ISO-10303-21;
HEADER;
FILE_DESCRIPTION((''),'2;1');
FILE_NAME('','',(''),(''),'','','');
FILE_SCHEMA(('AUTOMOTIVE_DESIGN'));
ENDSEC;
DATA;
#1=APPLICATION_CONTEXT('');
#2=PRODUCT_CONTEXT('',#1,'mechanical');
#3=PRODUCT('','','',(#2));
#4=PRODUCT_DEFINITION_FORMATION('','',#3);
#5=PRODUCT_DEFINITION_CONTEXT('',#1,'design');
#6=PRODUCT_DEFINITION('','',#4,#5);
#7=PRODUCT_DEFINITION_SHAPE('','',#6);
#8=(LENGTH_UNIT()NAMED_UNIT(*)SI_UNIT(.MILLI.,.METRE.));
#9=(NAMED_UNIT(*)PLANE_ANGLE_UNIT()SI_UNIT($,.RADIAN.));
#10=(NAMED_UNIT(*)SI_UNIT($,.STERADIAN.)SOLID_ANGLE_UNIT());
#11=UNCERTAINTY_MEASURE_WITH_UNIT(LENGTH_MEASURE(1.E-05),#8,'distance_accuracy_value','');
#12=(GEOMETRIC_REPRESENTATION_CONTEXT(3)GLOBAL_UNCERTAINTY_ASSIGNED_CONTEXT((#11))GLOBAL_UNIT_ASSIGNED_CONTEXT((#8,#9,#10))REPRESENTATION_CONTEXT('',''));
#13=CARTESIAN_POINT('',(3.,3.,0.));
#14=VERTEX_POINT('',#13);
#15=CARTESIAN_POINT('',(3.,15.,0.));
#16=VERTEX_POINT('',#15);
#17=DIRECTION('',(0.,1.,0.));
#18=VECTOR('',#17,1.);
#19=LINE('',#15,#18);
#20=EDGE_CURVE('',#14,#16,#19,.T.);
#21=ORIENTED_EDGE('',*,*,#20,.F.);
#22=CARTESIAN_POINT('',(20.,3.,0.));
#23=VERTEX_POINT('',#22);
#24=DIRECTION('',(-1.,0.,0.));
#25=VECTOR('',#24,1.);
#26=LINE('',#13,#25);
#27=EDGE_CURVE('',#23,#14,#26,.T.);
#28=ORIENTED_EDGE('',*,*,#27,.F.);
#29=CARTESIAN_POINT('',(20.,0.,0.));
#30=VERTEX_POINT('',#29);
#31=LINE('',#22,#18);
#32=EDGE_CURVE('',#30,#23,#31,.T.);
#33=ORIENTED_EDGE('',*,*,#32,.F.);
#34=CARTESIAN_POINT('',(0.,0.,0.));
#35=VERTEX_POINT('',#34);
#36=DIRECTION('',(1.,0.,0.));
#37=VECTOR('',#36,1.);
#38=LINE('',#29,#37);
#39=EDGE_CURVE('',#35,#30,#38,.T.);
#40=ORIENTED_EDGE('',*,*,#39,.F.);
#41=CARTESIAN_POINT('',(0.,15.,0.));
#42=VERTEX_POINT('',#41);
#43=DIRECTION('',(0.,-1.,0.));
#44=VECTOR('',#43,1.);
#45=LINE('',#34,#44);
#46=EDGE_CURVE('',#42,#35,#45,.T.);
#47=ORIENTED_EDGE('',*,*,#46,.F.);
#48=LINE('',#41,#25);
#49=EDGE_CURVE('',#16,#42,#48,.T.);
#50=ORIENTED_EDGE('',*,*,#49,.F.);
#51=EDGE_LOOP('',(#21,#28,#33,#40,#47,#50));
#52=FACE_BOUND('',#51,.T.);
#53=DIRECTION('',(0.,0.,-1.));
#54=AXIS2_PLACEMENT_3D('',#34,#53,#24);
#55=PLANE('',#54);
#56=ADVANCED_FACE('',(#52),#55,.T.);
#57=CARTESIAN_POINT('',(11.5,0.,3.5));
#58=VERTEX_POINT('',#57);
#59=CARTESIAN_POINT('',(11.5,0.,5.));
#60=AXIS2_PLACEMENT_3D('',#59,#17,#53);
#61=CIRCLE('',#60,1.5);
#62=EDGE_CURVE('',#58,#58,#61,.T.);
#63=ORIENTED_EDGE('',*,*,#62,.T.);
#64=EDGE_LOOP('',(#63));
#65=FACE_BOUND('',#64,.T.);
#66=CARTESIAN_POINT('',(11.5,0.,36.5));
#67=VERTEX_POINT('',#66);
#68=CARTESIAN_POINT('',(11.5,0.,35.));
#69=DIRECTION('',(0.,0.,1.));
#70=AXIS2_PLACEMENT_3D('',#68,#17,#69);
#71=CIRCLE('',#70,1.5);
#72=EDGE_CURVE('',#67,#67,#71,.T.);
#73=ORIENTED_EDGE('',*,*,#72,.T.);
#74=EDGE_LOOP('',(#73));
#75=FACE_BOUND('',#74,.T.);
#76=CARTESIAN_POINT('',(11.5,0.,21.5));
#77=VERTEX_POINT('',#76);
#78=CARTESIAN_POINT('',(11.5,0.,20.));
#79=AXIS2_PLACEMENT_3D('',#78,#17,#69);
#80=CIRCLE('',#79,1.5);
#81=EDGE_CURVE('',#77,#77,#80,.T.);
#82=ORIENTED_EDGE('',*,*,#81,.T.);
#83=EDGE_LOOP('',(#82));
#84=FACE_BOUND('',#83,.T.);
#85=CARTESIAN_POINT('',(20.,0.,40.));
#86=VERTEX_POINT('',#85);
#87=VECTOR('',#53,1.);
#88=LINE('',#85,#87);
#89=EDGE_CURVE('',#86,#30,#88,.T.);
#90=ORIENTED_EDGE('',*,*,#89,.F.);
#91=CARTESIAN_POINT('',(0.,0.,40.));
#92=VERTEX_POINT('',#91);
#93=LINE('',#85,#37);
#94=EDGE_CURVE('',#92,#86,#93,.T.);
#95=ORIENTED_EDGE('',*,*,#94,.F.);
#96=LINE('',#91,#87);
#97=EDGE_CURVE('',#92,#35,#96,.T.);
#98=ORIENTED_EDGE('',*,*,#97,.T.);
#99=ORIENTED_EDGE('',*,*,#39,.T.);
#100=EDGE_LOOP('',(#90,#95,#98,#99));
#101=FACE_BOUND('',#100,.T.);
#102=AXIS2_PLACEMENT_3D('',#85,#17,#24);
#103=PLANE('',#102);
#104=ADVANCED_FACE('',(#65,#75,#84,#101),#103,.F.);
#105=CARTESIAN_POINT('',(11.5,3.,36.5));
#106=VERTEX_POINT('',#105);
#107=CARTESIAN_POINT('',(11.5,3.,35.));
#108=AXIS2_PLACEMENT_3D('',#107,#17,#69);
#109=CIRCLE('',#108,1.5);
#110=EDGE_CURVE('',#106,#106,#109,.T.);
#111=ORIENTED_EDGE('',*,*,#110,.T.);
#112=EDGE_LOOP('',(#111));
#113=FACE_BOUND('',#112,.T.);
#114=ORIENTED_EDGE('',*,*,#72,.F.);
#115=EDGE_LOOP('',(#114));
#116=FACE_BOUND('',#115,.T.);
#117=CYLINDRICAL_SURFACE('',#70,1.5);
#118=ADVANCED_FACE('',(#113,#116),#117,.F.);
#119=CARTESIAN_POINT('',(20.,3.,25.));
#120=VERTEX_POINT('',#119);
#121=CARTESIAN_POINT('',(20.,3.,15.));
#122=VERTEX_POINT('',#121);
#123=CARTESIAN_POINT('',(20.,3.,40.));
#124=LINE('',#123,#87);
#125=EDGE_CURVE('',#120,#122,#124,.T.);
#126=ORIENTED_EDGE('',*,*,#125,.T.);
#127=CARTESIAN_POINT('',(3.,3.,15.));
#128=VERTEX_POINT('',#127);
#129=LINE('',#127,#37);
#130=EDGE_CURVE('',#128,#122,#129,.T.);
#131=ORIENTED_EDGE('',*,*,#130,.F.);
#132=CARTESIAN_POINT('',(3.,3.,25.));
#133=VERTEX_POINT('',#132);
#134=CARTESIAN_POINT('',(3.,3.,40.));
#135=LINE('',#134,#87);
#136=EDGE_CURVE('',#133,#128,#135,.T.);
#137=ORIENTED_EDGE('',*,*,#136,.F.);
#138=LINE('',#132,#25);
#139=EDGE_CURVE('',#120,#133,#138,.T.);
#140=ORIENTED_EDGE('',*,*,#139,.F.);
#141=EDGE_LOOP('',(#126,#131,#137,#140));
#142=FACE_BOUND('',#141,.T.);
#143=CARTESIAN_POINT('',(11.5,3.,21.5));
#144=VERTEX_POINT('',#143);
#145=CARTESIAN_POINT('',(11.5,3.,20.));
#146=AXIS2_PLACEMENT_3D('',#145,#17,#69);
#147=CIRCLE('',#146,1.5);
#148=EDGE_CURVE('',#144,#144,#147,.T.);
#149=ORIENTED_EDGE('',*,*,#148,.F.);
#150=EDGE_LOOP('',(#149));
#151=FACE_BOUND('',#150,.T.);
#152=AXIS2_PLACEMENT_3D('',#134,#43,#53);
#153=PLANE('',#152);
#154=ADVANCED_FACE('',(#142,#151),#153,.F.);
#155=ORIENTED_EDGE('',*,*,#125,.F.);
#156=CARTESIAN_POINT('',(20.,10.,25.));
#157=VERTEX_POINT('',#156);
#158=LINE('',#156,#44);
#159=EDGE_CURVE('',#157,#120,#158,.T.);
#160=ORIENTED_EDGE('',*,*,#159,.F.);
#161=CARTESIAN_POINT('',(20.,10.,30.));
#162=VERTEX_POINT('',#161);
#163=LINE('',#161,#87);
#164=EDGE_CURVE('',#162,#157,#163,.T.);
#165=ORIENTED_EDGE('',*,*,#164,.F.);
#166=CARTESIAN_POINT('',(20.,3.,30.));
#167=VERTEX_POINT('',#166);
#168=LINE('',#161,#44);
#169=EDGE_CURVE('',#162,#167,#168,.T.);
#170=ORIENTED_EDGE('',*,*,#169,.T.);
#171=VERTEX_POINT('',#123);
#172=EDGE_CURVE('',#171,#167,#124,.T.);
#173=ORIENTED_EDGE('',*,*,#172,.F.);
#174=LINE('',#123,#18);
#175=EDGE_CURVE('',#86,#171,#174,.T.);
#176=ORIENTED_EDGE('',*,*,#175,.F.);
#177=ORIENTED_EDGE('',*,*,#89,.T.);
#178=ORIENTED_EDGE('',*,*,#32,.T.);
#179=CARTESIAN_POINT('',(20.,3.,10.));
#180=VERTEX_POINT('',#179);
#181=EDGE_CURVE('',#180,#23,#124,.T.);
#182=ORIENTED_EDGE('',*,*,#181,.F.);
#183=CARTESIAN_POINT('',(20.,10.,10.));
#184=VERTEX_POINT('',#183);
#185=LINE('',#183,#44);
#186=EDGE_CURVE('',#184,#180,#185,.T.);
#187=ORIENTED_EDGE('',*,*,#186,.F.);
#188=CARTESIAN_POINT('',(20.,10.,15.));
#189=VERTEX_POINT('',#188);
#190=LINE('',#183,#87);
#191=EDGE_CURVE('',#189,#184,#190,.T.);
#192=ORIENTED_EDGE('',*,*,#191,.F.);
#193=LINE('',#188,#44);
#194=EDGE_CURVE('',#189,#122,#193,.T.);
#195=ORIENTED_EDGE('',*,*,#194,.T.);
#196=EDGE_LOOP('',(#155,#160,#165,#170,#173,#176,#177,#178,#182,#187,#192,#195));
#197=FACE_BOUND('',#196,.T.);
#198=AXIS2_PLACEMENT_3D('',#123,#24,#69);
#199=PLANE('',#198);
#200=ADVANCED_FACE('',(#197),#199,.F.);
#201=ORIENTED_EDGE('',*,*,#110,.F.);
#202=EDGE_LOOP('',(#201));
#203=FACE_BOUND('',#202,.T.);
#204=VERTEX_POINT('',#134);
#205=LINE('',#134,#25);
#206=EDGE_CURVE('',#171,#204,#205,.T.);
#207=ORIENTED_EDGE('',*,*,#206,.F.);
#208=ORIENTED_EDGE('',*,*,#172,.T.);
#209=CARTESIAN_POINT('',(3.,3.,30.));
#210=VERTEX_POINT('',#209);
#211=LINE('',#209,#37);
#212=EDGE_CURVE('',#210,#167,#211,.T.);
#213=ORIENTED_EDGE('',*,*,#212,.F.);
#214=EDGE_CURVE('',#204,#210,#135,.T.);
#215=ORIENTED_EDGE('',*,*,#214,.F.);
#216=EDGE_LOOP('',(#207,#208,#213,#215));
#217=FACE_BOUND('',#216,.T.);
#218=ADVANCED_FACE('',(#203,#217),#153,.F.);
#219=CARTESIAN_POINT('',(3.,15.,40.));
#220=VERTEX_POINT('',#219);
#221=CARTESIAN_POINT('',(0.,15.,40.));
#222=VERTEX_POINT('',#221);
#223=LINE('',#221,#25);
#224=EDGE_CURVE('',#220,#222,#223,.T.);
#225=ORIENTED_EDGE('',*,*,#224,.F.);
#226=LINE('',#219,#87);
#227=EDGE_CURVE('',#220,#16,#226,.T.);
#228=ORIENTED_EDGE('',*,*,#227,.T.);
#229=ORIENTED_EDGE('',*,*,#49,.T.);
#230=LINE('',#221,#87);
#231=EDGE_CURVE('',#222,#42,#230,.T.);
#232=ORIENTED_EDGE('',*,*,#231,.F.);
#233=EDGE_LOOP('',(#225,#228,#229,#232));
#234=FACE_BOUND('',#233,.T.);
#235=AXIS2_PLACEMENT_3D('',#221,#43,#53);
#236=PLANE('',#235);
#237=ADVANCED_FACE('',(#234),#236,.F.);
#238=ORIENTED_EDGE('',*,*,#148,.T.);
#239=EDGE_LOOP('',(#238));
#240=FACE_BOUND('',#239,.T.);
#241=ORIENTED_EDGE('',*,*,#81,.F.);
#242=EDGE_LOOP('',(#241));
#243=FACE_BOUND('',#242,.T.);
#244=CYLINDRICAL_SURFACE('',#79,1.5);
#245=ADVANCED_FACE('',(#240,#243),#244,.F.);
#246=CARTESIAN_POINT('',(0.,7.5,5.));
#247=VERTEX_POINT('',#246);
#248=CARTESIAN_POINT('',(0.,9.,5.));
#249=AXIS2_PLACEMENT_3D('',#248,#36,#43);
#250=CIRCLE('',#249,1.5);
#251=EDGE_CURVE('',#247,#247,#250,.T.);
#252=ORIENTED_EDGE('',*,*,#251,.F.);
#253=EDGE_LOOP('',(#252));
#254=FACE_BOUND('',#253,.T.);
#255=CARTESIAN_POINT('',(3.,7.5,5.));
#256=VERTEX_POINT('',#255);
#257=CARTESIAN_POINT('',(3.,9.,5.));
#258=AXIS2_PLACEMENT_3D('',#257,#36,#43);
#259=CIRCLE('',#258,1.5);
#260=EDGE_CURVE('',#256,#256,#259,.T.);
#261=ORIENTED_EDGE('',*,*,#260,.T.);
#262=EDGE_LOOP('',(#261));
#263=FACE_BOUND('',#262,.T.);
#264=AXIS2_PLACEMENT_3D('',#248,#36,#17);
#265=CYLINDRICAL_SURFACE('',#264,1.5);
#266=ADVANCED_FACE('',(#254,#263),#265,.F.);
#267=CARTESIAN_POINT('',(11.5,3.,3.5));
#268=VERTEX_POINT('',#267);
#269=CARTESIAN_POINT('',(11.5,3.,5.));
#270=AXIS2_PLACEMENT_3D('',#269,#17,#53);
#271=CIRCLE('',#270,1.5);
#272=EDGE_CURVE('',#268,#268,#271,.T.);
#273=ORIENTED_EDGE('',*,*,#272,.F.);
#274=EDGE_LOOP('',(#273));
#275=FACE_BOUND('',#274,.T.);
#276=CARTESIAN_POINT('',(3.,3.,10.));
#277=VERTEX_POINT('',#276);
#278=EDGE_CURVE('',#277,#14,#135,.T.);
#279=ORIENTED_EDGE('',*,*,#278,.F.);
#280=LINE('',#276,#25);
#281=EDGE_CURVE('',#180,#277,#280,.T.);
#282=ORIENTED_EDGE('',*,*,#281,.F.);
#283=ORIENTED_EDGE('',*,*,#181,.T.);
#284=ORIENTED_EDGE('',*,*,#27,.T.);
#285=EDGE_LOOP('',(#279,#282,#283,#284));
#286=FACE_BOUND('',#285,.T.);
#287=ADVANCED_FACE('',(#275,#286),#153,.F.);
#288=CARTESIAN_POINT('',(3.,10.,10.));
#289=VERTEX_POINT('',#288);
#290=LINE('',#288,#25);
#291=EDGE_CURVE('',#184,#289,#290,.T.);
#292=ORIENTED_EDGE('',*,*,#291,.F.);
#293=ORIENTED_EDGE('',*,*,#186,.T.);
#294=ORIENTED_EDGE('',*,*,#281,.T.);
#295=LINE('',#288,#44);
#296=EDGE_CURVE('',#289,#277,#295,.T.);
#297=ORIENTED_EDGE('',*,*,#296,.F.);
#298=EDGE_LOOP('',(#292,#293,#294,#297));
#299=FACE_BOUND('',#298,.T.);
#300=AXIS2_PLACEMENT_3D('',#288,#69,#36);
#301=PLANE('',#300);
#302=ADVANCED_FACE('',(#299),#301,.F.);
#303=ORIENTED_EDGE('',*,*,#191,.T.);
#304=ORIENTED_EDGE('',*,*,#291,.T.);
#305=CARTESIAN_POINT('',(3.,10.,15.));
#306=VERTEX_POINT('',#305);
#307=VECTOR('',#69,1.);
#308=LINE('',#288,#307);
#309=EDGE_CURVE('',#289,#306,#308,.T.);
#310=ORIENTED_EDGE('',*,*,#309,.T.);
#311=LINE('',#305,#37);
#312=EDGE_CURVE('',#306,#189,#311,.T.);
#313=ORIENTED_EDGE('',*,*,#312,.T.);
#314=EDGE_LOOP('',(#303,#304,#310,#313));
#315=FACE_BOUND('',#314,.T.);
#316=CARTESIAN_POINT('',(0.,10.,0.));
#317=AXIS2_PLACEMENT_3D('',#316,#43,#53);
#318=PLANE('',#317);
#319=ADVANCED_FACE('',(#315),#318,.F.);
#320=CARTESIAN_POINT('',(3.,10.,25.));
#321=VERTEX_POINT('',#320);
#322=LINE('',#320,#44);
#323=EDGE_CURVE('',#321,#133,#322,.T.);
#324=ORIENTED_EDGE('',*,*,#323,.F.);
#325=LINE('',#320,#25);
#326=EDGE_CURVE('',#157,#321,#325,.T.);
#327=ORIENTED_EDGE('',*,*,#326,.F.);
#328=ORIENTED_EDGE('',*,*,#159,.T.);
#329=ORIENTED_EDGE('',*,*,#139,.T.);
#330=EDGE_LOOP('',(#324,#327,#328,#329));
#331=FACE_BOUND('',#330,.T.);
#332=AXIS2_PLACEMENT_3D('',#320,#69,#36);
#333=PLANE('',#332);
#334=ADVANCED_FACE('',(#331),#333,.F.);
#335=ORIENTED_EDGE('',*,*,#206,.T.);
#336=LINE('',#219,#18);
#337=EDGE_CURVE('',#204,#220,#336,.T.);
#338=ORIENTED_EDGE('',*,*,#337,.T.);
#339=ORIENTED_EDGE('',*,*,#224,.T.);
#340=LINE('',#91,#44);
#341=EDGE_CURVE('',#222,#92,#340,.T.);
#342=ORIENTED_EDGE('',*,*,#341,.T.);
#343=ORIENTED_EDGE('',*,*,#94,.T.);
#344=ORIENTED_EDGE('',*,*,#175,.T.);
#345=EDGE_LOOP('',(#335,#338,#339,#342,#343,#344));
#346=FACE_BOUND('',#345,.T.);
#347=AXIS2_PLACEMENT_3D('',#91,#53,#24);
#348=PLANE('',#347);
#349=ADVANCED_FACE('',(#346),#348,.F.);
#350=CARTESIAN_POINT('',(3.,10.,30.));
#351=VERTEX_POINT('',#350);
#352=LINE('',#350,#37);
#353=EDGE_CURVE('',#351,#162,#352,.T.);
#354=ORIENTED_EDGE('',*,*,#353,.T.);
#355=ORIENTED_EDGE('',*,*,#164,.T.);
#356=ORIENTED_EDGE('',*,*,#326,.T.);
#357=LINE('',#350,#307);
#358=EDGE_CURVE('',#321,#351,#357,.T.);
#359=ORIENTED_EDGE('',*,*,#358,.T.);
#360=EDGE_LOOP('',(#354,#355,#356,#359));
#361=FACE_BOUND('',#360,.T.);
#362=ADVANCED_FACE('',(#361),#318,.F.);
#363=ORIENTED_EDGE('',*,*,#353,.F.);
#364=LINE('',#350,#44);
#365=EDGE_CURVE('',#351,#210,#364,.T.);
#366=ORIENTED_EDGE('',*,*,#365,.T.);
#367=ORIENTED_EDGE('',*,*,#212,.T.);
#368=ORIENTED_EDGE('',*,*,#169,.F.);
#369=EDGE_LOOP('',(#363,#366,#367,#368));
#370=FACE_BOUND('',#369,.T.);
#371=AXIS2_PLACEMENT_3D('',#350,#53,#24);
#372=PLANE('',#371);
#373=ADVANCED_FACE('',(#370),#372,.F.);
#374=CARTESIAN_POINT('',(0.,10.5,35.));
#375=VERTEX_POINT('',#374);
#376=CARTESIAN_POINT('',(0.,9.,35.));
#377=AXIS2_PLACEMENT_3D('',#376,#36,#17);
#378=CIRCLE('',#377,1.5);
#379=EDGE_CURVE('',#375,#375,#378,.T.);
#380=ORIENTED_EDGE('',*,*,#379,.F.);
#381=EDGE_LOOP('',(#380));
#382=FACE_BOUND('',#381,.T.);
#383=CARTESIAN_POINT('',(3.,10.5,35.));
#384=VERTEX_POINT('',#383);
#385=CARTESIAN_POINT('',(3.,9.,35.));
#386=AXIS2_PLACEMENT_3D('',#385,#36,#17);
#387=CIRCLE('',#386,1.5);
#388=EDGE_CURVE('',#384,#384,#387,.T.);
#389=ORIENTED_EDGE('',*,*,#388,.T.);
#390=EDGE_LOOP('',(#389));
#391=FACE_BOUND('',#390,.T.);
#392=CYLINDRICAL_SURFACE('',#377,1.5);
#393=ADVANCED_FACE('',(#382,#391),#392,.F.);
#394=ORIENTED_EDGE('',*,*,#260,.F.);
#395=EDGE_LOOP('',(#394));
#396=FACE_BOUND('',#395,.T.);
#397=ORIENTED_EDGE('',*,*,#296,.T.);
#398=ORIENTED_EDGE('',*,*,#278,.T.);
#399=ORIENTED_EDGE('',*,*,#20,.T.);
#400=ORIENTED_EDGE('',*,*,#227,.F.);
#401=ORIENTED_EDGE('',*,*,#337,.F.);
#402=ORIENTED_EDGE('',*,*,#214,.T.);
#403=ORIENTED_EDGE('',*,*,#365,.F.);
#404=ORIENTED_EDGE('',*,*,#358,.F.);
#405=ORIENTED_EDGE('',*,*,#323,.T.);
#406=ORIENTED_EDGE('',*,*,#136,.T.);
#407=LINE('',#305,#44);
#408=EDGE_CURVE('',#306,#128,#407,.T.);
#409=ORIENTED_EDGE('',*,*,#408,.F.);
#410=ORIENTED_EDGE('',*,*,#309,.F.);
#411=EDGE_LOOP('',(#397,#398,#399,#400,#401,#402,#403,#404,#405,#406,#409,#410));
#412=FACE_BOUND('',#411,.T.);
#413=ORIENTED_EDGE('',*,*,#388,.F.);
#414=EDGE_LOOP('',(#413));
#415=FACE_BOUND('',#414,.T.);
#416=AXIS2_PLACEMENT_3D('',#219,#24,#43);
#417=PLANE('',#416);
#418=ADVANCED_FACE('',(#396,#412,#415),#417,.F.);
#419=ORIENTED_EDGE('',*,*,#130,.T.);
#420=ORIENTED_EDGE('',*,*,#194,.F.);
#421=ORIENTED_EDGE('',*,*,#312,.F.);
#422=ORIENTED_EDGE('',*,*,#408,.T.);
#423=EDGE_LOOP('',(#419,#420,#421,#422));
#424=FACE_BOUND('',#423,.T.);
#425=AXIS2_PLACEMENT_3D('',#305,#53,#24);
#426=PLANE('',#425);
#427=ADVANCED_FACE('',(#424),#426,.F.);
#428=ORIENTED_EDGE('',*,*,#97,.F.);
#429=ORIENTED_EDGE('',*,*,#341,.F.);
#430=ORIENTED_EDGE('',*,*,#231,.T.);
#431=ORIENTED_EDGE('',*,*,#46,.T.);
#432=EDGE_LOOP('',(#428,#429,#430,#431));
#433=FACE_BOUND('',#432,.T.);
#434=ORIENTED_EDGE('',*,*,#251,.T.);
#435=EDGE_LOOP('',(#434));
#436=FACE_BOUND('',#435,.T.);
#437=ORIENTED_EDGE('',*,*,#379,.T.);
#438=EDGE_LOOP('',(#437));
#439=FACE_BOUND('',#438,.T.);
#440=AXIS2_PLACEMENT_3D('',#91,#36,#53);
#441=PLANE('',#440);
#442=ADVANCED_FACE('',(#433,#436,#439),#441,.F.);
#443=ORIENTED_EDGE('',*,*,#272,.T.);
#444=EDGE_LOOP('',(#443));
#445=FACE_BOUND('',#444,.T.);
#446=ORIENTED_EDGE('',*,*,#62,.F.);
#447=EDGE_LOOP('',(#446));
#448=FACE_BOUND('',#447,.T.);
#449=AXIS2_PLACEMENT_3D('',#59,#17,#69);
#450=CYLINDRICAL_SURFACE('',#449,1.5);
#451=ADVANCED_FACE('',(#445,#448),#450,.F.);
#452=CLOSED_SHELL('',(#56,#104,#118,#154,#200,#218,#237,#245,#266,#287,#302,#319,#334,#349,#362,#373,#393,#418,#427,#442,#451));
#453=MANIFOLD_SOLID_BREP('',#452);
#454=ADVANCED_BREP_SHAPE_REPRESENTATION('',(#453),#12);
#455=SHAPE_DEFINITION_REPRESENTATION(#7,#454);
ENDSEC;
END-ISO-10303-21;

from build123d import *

# Parameters (mm, degrees)
EXTRUDE_1_DEPTH     = 40
SKETCH_3_R          = 1.5
CUT_EXTRUDE_1_DEPTH = 46.97825573
SKETCH_4_R          = 1.5
CUT_EXTRUDE_2_DEPTH = 47.303347611
SKETCH_5_W          = 17
SKETCH_5_H          = 5
EXTRUDE_2_DEPTH     = 7


with BuildPart() as part:
    # 草图1 → 凸台-拉伸1 (new body)
    with BuildSketch(Plane.XY):
        Polygon((0, 0), (0, 15), (3, 15), (3, 3), (20, 3), (20, 0), align=None)
    extrude(amount=EXTRUDE_1_DEPTH)

    # 草图3 → 切除-拉伸1 (cut, through all)
    with BuildSketch(Plane(origin=(3, 0, 0), x_dir=(0, 0, -1), z_dir=(1, 0, 0))):
        with Locations(Location((-35, 9, 0), (0, 0, 90))):
            Circle(SKETCH_3_R)
        with Locations(Location((-5, 9, 0), (0, 0, 270))):
            Circle(SKETCH_3_R)
    extrude(amount=-CUT_EXTRUDE_1_DEPTH, mode=Mode.SUBTRACT)

    # 草图4 → 切除-拉伸2 (cut, through all)
    with BuildSketch(Plane(origin=(0, 3, 0), x_dir=(1, 0, 0), z_dir=(0, 1, 0))):
        with Locations(Location((11.5, -20, 0), (0, 0, 270))):
            Circle(SKETCH_4_R)
        with Locations(Location((11.5, -35, 0), (0, 0, 270))):
            Circle(SKETCH_4_R)
        with Locations(Location((11.5, -5, 0), (0, 0, 90))):
            Circle(SKETCH_4_R)
    extrude(amount=-CUT_EXTRUDE_2_DEPTH, mode=Mode.SUBTRACT)

    # 草图5 → 凸台-拉伸2 (add)
    with BuildSketch(Plane(origin=(0, 3, 0), x_dir=(1, 0, 0), z_dir=(0, 1, 0))):
        with Locations((11.5, -27.5)):
            Rectangle(SKETCH_5_W, SKETCH_5_H)
        with Locations((11.5, -12.5)):
            Rectangle(SKETCH_5_W, SKETCH_5_H)
    extrude(amount=EXTRUDE_2_DEPTH)


solid = part.part
